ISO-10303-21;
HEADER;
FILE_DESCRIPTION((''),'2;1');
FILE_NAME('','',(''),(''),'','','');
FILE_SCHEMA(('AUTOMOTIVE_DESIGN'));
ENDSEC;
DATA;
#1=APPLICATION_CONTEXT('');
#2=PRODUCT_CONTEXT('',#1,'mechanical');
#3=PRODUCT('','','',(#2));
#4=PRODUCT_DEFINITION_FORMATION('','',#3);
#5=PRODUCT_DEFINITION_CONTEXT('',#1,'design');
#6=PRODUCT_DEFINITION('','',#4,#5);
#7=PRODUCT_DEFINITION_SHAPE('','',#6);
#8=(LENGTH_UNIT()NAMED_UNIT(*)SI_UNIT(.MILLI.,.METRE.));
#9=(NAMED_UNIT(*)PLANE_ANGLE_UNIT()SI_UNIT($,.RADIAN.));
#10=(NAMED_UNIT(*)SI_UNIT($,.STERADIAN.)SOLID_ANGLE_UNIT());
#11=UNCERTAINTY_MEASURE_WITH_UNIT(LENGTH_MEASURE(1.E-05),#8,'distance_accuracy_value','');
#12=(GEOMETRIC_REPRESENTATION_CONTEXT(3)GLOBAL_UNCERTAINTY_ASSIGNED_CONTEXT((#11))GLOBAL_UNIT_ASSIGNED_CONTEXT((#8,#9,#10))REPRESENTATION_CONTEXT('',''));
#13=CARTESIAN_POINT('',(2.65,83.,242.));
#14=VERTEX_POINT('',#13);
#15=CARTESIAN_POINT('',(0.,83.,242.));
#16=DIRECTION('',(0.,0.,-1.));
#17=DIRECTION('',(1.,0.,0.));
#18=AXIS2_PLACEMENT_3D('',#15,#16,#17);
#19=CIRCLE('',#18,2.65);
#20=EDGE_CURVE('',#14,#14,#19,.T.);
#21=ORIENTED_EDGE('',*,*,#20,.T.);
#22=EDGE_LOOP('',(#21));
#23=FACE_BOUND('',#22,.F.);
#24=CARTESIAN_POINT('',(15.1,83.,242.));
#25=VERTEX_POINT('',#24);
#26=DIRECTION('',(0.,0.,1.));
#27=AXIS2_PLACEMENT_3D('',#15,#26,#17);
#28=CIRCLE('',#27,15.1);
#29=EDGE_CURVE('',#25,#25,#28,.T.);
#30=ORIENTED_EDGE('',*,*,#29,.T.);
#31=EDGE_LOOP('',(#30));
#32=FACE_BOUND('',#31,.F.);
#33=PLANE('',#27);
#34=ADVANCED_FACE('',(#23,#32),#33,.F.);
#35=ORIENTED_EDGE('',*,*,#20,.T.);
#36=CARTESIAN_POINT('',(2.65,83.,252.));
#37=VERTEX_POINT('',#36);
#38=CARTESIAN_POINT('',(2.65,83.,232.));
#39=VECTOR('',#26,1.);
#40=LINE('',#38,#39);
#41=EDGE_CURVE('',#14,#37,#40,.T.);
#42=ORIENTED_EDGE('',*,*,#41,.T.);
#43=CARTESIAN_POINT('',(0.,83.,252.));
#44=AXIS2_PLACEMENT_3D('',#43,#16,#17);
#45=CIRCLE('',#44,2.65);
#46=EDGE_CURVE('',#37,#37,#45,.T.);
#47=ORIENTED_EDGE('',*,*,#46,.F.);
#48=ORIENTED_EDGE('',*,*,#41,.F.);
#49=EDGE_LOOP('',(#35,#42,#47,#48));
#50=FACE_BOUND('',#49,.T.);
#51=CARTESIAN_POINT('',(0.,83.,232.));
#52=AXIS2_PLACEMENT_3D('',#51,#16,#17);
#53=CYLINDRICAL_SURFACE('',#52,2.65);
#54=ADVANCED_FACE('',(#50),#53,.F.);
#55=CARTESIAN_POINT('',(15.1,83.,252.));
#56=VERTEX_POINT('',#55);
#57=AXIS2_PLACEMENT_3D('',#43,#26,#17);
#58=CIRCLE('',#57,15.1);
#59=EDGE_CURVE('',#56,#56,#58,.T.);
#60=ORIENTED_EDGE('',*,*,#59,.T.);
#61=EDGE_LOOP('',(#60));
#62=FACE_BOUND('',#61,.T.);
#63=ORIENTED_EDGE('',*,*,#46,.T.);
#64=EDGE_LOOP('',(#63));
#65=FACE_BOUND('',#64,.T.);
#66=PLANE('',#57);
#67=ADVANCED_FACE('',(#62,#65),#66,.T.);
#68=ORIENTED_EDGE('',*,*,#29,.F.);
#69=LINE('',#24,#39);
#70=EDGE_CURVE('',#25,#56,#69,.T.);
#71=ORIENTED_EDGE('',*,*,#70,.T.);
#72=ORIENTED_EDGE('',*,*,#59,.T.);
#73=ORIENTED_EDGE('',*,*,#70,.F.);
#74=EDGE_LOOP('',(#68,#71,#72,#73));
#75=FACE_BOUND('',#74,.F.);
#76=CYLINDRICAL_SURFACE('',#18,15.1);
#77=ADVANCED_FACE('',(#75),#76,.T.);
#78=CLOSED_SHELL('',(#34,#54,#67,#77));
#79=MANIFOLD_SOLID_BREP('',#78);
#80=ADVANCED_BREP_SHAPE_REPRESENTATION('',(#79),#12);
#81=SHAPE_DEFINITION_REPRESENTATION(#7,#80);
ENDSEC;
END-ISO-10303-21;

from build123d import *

# Parameters (mm, degrees)
CYLINDER704_R     = 2.65
CYLINDER704_DEPTH = 30
CYLINDER703_R     = 15.1
CYLINDER703_DEPTH = 10


with BuildPart() as v_lec704:
    # Cylinder704 → Cylinder704 (new body)
    with BuildSketch(Plane(origin=(0, 83, 232), x_dir=(1, 0, 0), z_dir=(0, 0, 1))):
        Circle(CYLINDER704_R)
    extrude(amount=CYLINDER704_DEPTH)


with BuildPart() as cut284:
    # Cylinder703 → Cylinder703 (new body)
    with BuildSketch(Plane(origin=(0, 83, 242), x_dir=(1, 0, 0), z_dir=(0, 0, 1))):
        Circle(CYLINDER703_R)
    extrude(amount=CYLINDER703_DEPTH)

    # Cut284: cut Válec704
    add(v_lec704.part, mode=Mode.SUBTRACT)


solid = cut284.part
